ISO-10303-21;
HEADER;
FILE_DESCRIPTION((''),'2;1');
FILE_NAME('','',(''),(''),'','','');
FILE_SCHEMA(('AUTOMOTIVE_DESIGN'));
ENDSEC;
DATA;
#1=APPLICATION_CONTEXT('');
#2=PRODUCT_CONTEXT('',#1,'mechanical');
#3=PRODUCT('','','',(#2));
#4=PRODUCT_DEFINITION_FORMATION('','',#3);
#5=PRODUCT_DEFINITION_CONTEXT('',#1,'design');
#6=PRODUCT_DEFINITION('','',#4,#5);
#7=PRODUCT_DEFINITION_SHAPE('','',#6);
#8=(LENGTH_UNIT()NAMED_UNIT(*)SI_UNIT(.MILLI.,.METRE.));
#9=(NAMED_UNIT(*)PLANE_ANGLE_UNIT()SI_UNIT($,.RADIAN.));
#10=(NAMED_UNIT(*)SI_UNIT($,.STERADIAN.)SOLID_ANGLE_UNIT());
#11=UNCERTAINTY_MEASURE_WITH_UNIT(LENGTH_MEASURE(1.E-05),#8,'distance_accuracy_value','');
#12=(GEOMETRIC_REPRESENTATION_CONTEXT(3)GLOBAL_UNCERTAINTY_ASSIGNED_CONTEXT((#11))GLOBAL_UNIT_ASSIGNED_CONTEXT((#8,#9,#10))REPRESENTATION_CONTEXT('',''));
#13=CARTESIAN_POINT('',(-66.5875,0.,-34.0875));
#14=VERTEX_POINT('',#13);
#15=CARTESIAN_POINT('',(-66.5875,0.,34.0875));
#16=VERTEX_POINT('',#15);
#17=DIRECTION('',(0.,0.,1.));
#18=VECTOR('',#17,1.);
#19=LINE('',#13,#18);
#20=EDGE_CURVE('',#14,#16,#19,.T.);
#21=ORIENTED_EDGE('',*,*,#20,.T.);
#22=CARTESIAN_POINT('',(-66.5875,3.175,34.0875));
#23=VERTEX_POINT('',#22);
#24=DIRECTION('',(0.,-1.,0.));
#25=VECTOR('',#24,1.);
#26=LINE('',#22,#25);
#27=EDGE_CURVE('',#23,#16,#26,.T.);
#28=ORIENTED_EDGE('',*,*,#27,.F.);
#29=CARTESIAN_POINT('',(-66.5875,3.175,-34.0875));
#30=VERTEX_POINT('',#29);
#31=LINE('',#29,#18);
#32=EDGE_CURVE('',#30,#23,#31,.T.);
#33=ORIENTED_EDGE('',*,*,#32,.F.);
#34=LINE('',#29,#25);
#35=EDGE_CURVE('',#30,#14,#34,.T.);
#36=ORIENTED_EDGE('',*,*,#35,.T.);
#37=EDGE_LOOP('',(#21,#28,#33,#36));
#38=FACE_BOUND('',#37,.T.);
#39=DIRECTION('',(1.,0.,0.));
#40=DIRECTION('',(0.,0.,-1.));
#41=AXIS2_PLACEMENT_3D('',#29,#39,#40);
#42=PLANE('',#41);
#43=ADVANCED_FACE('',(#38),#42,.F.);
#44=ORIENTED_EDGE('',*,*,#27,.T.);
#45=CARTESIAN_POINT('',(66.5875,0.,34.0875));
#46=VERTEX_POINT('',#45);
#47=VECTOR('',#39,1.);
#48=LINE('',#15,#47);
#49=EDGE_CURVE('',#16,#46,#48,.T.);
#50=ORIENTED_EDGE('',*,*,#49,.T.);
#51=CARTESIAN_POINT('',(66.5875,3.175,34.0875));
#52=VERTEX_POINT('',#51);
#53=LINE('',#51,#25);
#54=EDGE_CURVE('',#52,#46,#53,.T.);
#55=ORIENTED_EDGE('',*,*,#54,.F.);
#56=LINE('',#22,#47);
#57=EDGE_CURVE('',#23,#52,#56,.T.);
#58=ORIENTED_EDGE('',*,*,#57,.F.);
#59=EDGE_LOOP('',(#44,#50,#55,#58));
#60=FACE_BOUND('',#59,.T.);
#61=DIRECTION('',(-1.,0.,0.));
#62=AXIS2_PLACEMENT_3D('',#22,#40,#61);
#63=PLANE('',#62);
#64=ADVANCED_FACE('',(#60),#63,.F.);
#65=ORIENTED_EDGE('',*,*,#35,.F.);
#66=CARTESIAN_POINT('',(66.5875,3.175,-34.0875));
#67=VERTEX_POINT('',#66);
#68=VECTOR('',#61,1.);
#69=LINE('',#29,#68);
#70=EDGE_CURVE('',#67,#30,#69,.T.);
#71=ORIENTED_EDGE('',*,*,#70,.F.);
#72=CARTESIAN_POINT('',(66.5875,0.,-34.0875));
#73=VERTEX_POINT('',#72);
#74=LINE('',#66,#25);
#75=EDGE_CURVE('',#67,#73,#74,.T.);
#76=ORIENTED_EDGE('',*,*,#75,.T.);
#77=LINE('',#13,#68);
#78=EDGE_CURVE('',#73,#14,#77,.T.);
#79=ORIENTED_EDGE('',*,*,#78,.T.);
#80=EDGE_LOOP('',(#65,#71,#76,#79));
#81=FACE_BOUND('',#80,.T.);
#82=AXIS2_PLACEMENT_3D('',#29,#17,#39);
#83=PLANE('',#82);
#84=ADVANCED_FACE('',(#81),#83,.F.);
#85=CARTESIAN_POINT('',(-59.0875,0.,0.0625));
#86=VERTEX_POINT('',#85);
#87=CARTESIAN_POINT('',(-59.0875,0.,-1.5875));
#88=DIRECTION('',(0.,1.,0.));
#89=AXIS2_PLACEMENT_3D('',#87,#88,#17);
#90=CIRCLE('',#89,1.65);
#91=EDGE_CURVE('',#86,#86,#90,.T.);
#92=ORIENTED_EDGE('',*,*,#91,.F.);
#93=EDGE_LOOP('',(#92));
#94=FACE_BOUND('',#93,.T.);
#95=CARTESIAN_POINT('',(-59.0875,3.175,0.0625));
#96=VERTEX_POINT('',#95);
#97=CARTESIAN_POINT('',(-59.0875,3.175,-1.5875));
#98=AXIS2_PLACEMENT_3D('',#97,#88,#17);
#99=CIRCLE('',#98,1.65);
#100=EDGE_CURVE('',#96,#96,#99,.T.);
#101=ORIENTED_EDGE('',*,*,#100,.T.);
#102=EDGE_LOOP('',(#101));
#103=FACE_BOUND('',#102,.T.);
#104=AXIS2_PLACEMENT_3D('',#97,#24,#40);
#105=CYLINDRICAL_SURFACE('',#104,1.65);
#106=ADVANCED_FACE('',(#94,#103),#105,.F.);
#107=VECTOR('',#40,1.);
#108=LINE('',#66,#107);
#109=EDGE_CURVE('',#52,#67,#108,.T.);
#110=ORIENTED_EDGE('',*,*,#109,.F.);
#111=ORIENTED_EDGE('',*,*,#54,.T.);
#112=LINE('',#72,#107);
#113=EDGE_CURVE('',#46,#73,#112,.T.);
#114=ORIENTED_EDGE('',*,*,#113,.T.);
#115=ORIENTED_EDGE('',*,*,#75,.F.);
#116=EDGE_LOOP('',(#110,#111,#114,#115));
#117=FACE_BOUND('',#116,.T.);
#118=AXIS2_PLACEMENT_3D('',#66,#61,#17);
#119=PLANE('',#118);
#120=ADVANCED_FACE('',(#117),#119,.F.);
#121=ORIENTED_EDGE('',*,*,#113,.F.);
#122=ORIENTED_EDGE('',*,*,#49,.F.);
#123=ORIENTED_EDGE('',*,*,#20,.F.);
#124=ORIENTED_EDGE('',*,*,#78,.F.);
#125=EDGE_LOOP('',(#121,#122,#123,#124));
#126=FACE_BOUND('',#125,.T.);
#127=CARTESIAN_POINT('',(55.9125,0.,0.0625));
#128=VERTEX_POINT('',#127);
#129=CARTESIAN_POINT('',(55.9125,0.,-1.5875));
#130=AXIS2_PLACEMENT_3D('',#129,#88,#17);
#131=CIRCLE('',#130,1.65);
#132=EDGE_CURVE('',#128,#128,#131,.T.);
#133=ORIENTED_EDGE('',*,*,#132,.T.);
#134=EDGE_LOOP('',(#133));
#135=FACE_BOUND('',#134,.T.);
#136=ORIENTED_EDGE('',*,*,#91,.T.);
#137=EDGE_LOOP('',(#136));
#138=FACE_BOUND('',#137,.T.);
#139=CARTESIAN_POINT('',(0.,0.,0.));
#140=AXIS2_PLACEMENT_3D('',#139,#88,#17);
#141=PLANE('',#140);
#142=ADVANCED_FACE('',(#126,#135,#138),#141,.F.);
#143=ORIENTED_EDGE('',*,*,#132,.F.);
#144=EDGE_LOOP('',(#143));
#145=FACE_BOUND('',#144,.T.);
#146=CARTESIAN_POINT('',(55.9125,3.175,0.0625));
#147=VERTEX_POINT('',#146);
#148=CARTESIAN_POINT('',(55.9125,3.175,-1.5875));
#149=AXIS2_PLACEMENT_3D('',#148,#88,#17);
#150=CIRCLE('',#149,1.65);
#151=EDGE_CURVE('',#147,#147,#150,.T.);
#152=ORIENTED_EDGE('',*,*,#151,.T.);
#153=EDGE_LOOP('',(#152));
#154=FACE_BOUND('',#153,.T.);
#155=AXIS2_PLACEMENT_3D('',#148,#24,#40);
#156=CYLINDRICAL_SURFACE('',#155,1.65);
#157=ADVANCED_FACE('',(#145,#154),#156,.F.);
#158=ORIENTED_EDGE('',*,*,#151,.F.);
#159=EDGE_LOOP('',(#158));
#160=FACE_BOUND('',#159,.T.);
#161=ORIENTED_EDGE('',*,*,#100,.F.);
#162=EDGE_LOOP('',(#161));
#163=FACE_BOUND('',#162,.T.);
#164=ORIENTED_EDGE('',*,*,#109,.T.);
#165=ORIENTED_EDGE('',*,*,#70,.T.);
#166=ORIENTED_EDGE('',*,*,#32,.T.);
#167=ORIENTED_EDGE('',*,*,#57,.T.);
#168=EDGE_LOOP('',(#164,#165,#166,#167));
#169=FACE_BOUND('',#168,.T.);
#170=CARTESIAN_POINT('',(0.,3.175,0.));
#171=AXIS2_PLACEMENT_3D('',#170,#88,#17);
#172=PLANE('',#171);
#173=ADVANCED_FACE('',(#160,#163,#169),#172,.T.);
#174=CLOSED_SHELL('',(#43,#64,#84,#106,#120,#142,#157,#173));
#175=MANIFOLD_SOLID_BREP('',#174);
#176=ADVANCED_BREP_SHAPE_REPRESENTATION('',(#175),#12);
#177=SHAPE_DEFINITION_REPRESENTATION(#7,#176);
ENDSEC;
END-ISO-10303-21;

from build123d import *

# Parameters (mm, degrees)
SKETCH1_W           = 133.175
SKETCH1_H           = 68.175
SKETCH1_R           = 1.65
BOSS_EXTRUDE1_DEPTH = 3.175


with BuildPart() as part:
    # Sketch1 → Boss-Extrude1 (new body)
    with BuildSketch(Plane(origin=(0, 0, 0), x_dir=(1, 0, 0), z_dir=(0, 1, 0))):
        Rectangle(SKETCH1_W, SKETCH1_H)
        with Locations(Location((-59.0875, 1.5875, 0), (0, 0, 270))):
            Circle(SKETCH1_R, mode=Mode.SUBTRACT)
        with Locations(Location((55.9125, 1.5875, 0), (0, 0, 270))):
            Circle(SKETCH1_R, mode=Mode.SUBTRACT)
    extrude(amount=BOSS_EXTRUDE1_DEPTH)


solid = part.part
